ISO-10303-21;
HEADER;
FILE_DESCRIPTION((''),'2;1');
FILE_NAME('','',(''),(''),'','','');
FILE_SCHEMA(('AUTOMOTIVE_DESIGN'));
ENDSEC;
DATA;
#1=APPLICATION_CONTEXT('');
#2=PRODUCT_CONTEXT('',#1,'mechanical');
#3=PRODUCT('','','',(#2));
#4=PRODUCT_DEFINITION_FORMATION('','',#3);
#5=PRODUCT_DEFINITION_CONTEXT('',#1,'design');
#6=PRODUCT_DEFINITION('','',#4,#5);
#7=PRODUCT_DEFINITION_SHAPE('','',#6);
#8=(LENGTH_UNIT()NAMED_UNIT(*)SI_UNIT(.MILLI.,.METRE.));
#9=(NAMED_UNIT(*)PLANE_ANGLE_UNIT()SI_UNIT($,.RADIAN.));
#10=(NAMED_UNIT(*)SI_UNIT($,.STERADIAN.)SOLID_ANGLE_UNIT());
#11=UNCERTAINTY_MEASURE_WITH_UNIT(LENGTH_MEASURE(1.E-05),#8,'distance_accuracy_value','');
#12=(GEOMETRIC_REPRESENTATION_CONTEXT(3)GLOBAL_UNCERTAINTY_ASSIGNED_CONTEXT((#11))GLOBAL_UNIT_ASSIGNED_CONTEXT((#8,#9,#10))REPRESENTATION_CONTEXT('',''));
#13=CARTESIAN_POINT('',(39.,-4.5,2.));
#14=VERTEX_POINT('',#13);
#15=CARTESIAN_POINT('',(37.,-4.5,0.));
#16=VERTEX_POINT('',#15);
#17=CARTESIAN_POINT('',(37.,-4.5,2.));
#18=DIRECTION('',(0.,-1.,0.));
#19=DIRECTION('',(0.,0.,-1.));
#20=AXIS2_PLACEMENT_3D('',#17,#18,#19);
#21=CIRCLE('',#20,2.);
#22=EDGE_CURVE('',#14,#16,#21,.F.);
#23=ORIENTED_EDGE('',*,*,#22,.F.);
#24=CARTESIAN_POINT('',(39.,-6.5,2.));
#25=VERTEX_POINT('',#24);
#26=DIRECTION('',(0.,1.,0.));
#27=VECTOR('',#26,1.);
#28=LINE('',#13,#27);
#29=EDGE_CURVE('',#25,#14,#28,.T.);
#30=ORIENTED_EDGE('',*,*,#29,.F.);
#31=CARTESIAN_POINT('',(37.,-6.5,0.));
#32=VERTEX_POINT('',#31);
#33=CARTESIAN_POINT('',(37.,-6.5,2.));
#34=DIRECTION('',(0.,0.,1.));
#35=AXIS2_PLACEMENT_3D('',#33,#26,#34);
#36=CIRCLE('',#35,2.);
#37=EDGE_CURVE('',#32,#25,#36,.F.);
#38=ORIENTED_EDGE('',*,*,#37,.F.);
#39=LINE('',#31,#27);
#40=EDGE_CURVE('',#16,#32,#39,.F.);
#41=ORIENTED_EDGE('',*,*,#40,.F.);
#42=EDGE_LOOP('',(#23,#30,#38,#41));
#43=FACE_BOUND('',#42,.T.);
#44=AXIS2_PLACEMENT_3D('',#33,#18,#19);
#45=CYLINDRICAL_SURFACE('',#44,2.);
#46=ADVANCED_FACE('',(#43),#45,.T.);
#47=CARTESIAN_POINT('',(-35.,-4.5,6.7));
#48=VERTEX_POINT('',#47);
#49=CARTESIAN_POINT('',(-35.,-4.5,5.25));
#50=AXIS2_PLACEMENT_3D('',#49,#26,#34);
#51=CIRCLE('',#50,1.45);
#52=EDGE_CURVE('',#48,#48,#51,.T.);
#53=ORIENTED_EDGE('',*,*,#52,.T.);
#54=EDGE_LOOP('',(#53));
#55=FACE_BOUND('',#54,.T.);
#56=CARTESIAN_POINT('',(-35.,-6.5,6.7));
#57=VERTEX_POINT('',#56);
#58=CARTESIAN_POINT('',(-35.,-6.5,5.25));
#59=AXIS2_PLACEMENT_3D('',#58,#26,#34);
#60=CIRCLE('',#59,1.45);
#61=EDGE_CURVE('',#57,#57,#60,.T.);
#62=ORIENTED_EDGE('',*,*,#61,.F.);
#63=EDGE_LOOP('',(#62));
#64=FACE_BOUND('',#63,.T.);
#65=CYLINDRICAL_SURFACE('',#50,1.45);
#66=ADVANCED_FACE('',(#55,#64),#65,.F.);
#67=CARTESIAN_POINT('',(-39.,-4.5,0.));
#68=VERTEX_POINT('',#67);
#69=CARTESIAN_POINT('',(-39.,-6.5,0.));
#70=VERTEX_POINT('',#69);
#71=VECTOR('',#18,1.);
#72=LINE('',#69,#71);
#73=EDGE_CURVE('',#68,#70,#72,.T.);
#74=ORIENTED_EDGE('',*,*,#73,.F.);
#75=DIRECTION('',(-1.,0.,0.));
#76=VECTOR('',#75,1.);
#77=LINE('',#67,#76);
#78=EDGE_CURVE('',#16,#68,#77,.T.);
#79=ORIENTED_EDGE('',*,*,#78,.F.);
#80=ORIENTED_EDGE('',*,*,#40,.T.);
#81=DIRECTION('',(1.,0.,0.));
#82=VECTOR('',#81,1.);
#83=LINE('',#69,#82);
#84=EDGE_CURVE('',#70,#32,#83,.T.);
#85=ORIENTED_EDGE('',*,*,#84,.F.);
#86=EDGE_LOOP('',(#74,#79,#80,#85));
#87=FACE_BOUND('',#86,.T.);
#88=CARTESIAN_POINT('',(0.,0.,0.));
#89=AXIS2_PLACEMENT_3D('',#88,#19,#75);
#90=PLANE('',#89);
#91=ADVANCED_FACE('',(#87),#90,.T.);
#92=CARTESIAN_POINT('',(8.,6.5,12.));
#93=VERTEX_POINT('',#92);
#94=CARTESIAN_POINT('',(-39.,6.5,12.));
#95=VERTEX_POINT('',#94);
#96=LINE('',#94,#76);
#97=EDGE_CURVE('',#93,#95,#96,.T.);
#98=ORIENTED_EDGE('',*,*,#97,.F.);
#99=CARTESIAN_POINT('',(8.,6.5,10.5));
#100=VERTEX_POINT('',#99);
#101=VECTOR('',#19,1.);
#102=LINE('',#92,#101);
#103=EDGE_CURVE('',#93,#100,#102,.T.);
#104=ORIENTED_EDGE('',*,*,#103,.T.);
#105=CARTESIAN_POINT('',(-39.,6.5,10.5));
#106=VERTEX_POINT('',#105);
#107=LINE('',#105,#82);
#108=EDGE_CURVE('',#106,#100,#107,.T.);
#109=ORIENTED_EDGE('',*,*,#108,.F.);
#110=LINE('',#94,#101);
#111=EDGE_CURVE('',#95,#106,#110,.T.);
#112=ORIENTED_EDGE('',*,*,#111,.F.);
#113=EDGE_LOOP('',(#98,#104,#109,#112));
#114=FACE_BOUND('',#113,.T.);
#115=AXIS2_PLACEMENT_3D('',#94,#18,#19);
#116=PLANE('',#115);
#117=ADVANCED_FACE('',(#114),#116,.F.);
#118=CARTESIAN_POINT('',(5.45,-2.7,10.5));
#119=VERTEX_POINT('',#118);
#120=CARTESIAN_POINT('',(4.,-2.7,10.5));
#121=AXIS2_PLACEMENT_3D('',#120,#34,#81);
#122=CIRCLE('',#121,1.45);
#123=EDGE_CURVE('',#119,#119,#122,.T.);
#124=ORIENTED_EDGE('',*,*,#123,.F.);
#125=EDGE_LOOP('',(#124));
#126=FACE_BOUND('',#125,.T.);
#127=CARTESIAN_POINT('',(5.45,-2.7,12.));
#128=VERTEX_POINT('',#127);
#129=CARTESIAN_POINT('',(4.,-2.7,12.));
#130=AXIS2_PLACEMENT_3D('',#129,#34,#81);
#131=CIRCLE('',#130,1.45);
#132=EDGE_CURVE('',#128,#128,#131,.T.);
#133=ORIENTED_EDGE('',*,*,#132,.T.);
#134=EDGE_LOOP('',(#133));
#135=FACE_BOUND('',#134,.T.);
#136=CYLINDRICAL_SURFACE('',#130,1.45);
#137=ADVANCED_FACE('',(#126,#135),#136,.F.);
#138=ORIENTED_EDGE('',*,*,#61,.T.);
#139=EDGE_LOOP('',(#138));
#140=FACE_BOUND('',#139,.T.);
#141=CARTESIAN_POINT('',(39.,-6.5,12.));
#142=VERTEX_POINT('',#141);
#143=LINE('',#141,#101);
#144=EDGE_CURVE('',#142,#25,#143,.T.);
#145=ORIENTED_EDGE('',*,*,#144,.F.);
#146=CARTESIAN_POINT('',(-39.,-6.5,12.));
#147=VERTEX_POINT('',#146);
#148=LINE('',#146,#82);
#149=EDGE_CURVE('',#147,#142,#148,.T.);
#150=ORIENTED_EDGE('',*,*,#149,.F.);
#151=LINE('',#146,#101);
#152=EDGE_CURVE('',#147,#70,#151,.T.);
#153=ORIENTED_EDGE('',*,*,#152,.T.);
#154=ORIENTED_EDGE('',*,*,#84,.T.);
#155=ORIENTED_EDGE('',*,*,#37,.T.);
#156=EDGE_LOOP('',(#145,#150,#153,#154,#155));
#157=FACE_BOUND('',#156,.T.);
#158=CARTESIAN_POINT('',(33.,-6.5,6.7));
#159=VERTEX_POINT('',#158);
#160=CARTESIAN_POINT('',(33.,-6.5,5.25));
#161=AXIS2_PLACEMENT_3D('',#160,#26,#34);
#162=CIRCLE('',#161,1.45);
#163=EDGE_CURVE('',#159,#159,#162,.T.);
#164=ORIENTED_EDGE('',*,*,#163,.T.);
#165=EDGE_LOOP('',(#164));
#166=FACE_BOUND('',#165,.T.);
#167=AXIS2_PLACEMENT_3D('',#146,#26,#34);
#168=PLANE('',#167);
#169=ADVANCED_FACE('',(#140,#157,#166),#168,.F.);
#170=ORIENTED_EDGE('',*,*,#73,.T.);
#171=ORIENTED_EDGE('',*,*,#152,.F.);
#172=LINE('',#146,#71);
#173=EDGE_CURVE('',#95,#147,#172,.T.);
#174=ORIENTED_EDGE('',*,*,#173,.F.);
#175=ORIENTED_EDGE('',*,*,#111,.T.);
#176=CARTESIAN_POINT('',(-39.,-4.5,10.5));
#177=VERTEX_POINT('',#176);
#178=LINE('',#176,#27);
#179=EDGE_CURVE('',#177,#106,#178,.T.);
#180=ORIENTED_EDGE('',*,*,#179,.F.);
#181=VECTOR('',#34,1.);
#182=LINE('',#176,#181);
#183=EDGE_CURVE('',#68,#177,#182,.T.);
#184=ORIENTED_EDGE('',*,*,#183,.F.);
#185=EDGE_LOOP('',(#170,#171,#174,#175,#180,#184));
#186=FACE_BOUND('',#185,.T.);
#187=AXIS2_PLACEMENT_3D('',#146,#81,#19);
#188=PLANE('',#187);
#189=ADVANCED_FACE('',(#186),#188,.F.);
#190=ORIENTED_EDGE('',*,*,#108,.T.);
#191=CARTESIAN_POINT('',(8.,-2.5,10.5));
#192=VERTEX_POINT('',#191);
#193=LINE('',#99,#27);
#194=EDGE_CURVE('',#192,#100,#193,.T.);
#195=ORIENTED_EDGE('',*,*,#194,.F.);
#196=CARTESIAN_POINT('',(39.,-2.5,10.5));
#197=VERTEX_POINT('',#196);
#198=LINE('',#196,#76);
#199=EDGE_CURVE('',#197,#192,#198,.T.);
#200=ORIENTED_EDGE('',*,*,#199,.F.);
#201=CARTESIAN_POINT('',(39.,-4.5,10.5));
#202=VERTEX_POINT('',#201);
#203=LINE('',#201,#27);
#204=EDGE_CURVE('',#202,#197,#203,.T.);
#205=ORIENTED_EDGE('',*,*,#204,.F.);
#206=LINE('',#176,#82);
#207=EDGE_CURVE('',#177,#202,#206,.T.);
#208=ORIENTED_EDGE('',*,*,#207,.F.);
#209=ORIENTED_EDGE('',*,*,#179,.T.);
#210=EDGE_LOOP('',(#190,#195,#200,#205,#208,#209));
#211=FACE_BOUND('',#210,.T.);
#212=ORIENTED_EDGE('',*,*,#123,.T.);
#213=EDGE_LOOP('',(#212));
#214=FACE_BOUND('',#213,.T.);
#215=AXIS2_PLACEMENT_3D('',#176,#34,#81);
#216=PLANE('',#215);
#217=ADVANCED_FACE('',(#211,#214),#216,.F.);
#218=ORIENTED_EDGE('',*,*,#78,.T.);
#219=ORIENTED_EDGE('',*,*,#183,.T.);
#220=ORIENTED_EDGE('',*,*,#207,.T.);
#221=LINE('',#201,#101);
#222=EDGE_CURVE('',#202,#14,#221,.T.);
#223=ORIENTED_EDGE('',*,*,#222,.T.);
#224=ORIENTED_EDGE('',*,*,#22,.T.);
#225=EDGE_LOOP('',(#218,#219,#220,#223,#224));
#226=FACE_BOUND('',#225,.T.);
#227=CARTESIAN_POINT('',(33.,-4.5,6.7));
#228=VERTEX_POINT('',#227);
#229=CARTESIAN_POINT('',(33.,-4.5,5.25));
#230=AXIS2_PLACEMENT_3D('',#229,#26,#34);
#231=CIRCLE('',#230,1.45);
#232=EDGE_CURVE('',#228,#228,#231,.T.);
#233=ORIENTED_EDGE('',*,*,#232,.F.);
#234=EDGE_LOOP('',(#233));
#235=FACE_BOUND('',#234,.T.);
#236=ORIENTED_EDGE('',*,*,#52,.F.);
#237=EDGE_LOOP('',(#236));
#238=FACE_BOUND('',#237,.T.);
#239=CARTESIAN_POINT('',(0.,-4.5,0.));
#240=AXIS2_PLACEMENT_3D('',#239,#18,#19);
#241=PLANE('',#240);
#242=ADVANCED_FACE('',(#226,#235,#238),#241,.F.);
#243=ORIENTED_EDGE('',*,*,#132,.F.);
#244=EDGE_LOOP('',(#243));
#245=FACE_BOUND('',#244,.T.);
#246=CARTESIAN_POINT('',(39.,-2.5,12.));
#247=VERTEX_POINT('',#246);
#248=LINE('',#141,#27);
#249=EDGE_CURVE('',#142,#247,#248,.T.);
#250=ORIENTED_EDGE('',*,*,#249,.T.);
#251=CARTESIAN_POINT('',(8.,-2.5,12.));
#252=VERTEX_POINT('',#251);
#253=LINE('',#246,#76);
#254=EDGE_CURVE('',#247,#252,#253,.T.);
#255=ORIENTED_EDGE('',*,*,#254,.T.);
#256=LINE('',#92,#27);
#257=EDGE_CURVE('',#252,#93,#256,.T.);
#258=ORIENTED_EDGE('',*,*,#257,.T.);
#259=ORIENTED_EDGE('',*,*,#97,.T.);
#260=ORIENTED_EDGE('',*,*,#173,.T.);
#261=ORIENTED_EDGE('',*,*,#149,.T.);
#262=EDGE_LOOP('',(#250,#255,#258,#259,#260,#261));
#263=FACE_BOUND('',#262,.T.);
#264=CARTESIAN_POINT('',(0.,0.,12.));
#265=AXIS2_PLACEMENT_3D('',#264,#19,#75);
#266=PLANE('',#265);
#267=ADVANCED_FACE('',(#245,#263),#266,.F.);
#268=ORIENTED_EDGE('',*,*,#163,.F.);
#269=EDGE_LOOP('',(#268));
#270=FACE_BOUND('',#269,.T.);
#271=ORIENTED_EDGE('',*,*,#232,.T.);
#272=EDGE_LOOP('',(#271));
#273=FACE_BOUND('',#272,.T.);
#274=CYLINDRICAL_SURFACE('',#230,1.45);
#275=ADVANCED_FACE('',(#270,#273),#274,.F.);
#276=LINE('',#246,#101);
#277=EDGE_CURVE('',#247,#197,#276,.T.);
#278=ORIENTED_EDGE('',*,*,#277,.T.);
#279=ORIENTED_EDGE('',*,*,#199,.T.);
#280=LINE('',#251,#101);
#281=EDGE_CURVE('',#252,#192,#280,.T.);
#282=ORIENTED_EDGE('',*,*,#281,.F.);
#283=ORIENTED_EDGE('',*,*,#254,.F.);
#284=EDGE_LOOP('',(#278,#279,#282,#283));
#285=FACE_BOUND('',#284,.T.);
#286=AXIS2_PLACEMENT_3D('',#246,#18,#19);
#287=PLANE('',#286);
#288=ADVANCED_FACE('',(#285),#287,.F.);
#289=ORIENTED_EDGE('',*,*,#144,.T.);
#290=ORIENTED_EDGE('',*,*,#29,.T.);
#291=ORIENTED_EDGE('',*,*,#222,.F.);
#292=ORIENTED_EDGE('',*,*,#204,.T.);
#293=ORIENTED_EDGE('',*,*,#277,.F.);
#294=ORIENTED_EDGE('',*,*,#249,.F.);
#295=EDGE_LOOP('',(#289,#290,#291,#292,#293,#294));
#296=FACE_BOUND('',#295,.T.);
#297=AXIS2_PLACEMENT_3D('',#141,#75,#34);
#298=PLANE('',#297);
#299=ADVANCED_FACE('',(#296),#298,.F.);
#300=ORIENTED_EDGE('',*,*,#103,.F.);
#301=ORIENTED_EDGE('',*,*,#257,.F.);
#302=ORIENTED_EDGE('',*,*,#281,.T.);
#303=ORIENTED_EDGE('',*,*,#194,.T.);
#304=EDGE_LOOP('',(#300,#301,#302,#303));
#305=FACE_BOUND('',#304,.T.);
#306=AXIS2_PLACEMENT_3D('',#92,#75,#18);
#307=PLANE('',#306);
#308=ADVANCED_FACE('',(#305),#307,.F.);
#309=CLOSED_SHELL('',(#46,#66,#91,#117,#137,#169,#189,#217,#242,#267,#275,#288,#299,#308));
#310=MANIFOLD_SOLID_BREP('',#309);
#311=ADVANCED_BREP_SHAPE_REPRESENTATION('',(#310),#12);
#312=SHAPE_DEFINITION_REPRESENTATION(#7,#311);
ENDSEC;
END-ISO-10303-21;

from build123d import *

# Parameters (mm, degrees)
ESQUISSE1_W             = 78
ESQUISSE1_H             = 13
BOSS_EXTRU_1_DEPTH      = 12
ESQUISSE2_W             = 78
ESQUISSE2_H             = 10.5
ENL_V_MAT_EXTRU_1_DEPTH = 11
D_GAGEMENT_M2_51_D      = 2.9
ESQUISSE5_W             = 31
ESQUISSE5_H             = 9
ENL_V_MAT_EXTRU_2_DEPTH = 41.908434338
D_GAGEMENT_M2_52_D      = 2.9
D_GAGEMENT_M2_52_DEPTH  = 24
D_GAGEMENT_M2_52_TIP    = 0.871247898
CONG_1_R                = 2


with BuildPart() as part:
    # Esquisse1 → Boss.-Extru.1 (new body)
    with BuildSketch(Plane.XY):
        Rectangle(ESQUISSE1_W, ESQUISSE1_H)
    extrude(amount=BOSS_EXTRU_1_DEPTH)

    # Esquisse2 → Enlèv. mat.-Extru.1 (cut)
    with BuildSketch(Plane(origin=(0, 6.5, 0), x_dir=(1, 0, 0), z_dir=(0, 1, 0))):
        with Locations((0, -5.25)):
            Rectangle(ESQUISSE2_W, ESQUISSE2_H)
    extrude(amount=-ENL_V_MAT_EXTRU_1_DEPTH, mode=Mode.SUBTRACT)

    # Dégagement M2.51 (through all)
    with Locations(Plane(origin=(0, -4.5, 0), x_dir=(1, 0, 0), z_dir=(0, 1, 0))):
        with Locations((33, -5.25), (-35, -5.25)):
            Hole(D_GAGEMENT_M2_51_D / 2)

    # Esquisse5 → Enlèv. mat.-Extru.2 (cut, through all)
    with BuildSketch(Plane(origin=(0, 0, 10.5), x_dir=(-1, 0, 0), z_dir=(0, 0, -1))):
        with Locations((-23.5, 2)):
            Rectangle(ESQUISSE5_W, ESQUISSE5_H)
    extrude(amount=-ENL_V_MAT_EXTRU_2_DEPTH, mode=Mode.SUBTRACT)

    # Dégagement M2.52
    with Locations(Plane.XY.offset(12)):
        with Locations((4, -2.7)):
            Hole(D_GAGEMENT_M2_52_D / 2, depth=D_GAGEMENT_M2_52_DEPTH)
            with Locations((0, 0, -(D_GAGEMENT_M2_52_DEPTH + D_GAGEMENT_M2_52_TIP / 2))):  # 118° drill point
                Cone(0, D_GAGEMENT_M2_52_D / 2, D_GAGEMENT_M2_52_TIP, mode=Mode.SUBTRACT)

    # Congé1
    cong_1_edges = [part.edges().sort_by_distance(p)[0] for p in [
        (39, -5.5, 0),
    ]]
    fillet(cong_1_edges, radius=CONG_1_R)


solid = part.part
